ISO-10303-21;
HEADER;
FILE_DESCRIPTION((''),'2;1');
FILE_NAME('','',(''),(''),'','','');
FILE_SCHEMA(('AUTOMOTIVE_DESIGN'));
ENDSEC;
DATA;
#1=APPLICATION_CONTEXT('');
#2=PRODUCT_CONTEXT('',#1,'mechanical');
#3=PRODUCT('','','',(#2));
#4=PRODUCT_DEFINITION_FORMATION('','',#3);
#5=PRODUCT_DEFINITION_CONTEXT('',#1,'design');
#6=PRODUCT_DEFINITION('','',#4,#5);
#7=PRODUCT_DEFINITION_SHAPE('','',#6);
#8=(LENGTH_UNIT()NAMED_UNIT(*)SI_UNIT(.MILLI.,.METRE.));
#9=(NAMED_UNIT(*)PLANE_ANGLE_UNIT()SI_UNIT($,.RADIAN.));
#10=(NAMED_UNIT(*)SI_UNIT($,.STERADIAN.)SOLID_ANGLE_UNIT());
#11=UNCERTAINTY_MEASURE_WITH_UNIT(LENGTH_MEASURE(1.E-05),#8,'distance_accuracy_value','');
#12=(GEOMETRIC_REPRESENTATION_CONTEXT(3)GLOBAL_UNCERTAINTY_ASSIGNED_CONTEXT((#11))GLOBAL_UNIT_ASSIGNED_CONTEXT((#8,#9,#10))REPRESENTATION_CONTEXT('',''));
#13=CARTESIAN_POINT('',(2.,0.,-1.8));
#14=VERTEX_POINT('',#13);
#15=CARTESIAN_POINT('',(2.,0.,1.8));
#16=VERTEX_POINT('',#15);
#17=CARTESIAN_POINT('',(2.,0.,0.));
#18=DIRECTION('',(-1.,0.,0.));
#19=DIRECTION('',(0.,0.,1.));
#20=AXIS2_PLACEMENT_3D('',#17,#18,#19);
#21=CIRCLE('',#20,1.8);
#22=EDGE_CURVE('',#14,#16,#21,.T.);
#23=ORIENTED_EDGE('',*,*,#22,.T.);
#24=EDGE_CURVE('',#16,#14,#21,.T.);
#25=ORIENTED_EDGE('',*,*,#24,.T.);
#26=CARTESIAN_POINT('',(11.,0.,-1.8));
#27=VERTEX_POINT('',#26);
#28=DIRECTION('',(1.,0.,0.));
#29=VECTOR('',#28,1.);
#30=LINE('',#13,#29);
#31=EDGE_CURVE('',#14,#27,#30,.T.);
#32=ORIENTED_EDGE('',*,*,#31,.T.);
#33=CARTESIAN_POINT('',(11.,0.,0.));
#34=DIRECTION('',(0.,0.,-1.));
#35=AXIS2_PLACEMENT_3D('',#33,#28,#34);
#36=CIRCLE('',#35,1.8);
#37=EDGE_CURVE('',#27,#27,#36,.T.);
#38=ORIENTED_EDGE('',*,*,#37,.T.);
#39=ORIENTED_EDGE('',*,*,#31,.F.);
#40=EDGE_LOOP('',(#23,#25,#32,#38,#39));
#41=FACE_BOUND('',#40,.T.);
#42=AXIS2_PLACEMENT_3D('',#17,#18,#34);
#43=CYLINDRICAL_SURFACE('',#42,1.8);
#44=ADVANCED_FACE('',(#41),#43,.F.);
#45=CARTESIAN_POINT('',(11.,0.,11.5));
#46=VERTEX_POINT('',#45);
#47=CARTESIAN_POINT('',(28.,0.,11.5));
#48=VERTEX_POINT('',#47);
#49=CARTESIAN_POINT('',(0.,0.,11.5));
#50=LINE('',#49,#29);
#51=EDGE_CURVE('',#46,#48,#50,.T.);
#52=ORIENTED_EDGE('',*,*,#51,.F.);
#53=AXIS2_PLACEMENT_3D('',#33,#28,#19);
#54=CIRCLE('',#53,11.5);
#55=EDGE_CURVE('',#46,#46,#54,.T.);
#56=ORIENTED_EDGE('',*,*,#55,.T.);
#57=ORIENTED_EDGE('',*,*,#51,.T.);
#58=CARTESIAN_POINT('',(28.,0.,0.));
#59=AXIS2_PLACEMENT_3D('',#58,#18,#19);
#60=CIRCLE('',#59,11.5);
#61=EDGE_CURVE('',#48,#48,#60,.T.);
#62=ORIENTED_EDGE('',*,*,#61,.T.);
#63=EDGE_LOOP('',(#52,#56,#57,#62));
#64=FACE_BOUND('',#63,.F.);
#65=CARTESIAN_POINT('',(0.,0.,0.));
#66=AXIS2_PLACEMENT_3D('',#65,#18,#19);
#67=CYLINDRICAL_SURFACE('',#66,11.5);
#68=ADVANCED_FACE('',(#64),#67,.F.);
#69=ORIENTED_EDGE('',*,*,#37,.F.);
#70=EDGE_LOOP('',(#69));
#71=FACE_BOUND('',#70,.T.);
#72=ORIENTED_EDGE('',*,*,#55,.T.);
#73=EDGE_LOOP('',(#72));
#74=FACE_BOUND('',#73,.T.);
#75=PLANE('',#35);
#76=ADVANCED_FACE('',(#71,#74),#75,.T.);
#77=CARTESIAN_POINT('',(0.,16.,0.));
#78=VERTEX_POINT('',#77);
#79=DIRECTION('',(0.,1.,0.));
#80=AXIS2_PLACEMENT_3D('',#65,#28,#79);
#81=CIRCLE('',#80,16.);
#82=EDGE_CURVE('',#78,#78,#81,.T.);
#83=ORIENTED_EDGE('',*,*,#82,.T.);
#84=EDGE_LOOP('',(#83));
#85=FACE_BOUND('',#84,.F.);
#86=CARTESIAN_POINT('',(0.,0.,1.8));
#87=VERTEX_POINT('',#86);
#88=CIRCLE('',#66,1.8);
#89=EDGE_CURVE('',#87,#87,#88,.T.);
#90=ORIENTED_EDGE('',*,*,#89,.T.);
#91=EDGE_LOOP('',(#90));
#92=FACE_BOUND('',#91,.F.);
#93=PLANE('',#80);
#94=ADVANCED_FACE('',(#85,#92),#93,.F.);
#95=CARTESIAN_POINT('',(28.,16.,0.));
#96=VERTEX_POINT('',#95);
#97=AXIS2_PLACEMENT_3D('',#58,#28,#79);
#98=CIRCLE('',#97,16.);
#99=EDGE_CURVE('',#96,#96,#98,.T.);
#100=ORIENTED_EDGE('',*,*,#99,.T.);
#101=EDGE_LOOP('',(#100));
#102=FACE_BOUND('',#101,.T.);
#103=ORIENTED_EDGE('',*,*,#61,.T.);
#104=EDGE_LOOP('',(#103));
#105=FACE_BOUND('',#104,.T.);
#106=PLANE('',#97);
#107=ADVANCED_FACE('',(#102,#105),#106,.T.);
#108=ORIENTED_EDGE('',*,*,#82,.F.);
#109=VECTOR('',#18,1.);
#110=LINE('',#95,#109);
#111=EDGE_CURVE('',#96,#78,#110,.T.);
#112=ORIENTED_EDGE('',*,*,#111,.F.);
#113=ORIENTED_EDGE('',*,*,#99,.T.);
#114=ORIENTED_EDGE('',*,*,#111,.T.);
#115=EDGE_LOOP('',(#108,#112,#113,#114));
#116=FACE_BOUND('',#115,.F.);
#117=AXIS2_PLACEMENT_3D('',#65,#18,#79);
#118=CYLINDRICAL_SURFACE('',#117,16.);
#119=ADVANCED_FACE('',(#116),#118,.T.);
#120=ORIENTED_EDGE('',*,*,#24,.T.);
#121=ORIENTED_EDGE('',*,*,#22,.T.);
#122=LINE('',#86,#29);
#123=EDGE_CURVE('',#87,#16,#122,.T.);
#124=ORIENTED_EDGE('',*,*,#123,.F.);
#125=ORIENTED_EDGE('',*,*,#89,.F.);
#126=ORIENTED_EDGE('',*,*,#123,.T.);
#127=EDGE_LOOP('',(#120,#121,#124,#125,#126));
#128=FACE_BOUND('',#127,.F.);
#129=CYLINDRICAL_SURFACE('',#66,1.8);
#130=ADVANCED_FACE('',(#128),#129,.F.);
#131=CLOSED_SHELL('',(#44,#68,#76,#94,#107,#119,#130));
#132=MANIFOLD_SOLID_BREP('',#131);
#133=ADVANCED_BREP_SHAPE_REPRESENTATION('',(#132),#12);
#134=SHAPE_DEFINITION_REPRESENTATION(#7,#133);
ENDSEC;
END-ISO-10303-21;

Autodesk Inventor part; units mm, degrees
ref_plane "YZ Plane" through (0, 0, 0) normal (1, 0, 0) x (0, 1, 0)
ref_plane "XZ Plane" through (0, 0, 0) normal (0, 1, 0) x (-1, 0, 0)
ref_plane "XY Plane" through (0, 0, 0) normal (0, 0, 1) x (1, 0, 0)
sketch "Szkic1" plane through (0, 0, 0) normal (1, 0, 0) x (0, 1, 0)
  circle A0 centre (0, 0) radius 16
  dimension "d0" = 32
extrude "Wyciągnięcie proste1" add sketch "Szkic1" along normal blind 28
sketch "Szkic2" plane through (0, 0, 0) normal (-1, 0, 0) x (0, 0, 1)
  circle A0 centre (0, 0) radius 11.5
  dimension "d3" = 23
extrude "Wyciągnięcie proste2" cut sketch "Szkic2" against normal blind 30.8
sketch "Szkic3" plane through (0, 0, 0) normal (-1, 0, 0) x (0, 0, 1)
  circle A0 centre (0, 0) radius 16 projected
extrude "Wyciągnięcie proste3" add sketch "Szkic3" against normal blind 2
sketch "Szkic4" plane through (0, 0, 0) normal (-1, 0, 0) x (0, 0, 1)
  circle A0 centre (0, 0) radius 1.8
  dimension "d8" = 3.6
extrude "Wyciągnięcie proste4" cut sketch "Szkic4" against normal blind 28
sketch "Szkic5" plane through (2, 0, 0) normal (1, 0, 0) x (0, 0, -1)
  circle A0 centre (0, 0) radius 1.8 projected
  circle A1 centre (0, 0) radius 11.5 projected
extrude "Wyciągnięcie proste5" add sketch "Szkic5" along normal blind 9
properties part number "kolo_tetsowe"
